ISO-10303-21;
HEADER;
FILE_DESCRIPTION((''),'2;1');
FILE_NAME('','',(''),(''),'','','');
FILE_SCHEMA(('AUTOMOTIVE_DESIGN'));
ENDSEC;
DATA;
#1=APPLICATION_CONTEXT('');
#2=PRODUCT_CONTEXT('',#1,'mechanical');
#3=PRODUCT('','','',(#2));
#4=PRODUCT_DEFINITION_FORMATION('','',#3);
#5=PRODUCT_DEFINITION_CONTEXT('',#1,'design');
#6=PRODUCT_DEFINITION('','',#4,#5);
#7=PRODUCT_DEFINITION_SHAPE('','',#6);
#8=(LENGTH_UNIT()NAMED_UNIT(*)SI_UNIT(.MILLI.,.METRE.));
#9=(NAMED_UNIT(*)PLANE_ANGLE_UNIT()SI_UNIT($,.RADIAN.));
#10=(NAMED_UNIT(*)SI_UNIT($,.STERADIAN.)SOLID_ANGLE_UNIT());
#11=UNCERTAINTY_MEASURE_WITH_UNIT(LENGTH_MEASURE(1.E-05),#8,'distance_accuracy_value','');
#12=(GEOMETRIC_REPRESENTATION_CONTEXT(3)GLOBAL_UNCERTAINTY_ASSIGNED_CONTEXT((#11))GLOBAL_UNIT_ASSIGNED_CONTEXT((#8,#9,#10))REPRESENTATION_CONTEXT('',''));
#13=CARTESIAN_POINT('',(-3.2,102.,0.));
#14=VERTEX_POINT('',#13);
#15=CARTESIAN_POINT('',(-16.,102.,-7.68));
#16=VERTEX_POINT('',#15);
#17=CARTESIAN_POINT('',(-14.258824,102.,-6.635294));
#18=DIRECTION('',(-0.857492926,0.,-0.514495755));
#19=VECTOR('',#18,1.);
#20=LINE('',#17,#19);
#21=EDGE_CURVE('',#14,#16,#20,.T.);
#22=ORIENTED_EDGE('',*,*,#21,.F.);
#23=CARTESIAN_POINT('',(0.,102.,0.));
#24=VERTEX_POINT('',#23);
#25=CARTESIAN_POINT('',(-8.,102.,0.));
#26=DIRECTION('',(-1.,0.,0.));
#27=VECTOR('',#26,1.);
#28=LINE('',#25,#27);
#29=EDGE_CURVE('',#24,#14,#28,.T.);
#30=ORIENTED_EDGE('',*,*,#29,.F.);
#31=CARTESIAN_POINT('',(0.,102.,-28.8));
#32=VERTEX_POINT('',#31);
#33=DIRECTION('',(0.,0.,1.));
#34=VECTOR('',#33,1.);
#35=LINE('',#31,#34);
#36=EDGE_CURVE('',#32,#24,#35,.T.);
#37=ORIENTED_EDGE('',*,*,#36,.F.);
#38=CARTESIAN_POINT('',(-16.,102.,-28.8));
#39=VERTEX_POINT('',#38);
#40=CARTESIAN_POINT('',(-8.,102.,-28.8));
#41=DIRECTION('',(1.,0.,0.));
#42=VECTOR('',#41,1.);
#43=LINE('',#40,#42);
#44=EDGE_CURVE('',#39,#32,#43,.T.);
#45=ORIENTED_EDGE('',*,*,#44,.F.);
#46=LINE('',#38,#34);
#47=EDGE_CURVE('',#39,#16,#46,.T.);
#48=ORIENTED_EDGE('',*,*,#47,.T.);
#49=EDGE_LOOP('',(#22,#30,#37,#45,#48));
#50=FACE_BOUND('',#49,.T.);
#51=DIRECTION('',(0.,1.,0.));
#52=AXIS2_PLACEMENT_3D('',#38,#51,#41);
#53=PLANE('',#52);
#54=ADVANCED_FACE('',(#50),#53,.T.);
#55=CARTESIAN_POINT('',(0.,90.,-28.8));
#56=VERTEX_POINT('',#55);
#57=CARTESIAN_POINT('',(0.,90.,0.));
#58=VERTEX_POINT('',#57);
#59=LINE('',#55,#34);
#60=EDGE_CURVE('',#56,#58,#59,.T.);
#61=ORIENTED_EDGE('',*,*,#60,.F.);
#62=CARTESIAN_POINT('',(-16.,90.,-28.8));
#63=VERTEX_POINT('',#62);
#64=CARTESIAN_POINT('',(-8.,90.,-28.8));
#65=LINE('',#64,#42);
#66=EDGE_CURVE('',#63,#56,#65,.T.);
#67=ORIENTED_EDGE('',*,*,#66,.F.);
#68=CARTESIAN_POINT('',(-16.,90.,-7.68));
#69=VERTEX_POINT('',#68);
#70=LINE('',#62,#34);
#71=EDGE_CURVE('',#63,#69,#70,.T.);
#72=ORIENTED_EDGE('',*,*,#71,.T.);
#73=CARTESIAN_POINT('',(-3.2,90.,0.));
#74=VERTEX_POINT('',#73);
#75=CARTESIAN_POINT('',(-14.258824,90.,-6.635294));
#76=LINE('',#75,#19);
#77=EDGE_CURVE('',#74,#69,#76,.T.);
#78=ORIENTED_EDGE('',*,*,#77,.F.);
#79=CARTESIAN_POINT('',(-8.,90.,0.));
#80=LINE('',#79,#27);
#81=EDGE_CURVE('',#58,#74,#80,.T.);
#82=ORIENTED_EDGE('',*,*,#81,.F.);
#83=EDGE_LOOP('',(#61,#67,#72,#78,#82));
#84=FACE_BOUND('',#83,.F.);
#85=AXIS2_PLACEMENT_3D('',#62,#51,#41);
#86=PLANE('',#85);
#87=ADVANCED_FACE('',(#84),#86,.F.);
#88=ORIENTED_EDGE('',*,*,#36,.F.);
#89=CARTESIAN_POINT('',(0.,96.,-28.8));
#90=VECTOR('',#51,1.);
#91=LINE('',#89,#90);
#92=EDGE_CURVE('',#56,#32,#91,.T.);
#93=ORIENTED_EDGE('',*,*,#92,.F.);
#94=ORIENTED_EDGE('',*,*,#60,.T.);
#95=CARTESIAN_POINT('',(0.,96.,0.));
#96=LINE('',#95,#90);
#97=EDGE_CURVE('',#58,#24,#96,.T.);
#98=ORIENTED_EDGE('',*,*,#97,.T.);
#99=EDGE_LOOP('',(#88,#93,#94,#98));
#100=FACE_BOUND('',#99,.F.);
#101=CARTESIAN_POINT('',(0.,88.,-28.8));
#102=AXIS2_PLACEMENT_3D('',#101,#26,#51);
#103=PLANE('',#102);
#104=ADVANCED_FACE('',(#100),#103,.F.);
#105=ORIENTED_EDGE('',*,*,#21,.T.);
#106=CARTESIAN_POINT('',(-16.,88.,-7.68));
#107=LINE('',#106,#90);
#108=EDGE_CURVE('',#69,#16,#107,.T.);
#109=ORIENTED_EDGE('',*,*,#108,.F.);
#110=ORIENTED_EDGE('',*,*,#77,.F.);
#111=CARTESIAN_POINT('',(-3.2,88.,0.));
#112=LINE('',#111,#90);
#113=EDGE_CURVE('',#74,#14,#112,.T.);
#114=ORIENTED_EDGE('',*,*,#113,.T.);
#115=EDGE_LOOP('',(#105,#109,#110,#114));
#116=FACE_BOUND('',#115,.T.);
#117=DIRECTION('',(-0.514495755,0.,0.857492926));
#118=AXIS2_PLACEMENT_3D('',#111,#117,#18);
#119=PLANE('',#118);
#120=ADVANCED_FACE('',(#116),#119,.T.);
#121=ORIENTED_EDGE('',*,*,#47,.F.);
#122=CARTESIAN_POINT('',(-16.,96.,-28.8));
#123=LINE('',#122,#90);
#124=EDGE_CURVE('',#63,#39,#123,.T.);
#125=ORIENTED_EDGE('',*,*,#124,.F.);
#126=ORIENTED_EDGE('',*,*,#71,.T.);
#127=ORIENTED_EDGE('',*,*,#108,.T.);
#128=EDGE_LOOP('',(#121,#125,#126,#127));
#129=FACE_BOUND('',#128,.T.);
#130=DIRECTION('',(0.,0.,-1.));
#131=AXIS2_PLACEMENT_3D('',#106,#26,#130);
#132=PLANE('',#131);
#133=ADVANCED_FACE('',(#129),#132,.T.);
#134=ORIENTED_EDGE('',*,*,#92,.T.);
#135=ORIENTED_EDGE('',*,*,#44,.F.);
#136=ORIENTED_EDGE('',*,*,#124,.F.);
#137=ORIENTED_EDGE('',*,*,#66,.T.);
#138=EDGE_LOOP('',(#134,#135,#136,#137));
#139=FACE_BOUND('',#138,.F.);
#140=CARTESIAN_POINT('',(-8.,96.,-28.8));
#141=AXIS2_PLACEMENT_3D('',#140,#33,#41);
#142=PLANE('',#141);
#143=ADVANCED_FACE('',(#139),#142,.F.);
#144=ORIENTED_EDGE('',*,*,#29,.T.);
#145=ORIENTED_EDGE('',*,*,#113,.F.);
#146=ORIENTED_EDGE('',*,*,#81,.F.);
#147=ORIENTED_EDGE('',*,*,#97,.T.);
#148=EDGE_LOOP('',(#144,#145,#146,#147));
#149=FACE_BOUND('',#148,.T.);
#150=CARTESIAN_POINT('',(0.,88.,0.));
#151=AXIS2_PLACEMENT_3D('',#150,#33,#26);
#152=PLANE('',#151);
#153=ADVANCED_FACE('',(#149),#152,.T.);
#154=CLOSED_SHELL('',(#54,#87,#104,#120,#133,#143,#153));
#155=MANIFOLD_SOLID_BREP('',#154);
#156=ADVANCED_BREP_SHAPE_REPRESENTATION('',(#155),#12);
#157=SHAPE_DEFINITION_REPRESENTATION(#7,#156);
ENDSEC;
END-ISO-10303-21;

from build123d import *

# Parameters (mm, degrees)
SKETCH019_W     = 16
SKETCH019_H     = 16
PAD011_DEPTH    = 28.8
POCKET008_DEPTH = 16
PAD138_DEPTH    = 16
SKETCH191_W     = 16
SKETCH191_H     = 2
POCKET073_DEPTH = 30


with BuildPart() as part:
    # Sketch019 (on Face64 of Binder007) → Pad011 (new body)
    with BuildSketch(Plane.XY.offset(-28.8)):
        with Locations((-8, 96)):
            Rectangle(SKETCH019_W, SKETCH019_H)
    extrude(amount=PAD011_DEPTH)

    # Sketch020 (on Face3 of Pad011) → Pocket008 (cut)
    with BuildSketch(Plane.XZ.offset(-88)):
        Polygon((-16, -9.6), (0, 0), (-16, 0), align=None)
    extrude(amount=-POCKET008_DEPTH, mode=Mode.SUBTRACT)

    # Sketch140 (on Face6 of Pocket008) → Pad138 (join)
    with BuildSketch(Plane.XZ.offset(-88)):
        Polygon((0, 0), (-3.2, 0), (-16, -7.68), (-16, -10.88), (-3.2, -3.2), (0, -3.2), align=None)
    extrude(amount=-PAD138_DEPTH)

    # Sketch191 (on Face1 of Pad138) → Pocket073 (cut)
    with BuildSketch(Plane(origin=(0, 0, -28.8), x_dir=(1, 0, 0), z_dir=(0, 0, -1))):
        with Locations((-8, -89)):
            Rectangle(SKETCH191_W, SKETCH191_H)
        with Locations((-8, -103)):
            Rectangle(SKETCH191_W, SKETCH191_H)
    extrude(amount=-POCKET073_DEPTH, mode=Mode.SUBTRACT)


solid = part.part
